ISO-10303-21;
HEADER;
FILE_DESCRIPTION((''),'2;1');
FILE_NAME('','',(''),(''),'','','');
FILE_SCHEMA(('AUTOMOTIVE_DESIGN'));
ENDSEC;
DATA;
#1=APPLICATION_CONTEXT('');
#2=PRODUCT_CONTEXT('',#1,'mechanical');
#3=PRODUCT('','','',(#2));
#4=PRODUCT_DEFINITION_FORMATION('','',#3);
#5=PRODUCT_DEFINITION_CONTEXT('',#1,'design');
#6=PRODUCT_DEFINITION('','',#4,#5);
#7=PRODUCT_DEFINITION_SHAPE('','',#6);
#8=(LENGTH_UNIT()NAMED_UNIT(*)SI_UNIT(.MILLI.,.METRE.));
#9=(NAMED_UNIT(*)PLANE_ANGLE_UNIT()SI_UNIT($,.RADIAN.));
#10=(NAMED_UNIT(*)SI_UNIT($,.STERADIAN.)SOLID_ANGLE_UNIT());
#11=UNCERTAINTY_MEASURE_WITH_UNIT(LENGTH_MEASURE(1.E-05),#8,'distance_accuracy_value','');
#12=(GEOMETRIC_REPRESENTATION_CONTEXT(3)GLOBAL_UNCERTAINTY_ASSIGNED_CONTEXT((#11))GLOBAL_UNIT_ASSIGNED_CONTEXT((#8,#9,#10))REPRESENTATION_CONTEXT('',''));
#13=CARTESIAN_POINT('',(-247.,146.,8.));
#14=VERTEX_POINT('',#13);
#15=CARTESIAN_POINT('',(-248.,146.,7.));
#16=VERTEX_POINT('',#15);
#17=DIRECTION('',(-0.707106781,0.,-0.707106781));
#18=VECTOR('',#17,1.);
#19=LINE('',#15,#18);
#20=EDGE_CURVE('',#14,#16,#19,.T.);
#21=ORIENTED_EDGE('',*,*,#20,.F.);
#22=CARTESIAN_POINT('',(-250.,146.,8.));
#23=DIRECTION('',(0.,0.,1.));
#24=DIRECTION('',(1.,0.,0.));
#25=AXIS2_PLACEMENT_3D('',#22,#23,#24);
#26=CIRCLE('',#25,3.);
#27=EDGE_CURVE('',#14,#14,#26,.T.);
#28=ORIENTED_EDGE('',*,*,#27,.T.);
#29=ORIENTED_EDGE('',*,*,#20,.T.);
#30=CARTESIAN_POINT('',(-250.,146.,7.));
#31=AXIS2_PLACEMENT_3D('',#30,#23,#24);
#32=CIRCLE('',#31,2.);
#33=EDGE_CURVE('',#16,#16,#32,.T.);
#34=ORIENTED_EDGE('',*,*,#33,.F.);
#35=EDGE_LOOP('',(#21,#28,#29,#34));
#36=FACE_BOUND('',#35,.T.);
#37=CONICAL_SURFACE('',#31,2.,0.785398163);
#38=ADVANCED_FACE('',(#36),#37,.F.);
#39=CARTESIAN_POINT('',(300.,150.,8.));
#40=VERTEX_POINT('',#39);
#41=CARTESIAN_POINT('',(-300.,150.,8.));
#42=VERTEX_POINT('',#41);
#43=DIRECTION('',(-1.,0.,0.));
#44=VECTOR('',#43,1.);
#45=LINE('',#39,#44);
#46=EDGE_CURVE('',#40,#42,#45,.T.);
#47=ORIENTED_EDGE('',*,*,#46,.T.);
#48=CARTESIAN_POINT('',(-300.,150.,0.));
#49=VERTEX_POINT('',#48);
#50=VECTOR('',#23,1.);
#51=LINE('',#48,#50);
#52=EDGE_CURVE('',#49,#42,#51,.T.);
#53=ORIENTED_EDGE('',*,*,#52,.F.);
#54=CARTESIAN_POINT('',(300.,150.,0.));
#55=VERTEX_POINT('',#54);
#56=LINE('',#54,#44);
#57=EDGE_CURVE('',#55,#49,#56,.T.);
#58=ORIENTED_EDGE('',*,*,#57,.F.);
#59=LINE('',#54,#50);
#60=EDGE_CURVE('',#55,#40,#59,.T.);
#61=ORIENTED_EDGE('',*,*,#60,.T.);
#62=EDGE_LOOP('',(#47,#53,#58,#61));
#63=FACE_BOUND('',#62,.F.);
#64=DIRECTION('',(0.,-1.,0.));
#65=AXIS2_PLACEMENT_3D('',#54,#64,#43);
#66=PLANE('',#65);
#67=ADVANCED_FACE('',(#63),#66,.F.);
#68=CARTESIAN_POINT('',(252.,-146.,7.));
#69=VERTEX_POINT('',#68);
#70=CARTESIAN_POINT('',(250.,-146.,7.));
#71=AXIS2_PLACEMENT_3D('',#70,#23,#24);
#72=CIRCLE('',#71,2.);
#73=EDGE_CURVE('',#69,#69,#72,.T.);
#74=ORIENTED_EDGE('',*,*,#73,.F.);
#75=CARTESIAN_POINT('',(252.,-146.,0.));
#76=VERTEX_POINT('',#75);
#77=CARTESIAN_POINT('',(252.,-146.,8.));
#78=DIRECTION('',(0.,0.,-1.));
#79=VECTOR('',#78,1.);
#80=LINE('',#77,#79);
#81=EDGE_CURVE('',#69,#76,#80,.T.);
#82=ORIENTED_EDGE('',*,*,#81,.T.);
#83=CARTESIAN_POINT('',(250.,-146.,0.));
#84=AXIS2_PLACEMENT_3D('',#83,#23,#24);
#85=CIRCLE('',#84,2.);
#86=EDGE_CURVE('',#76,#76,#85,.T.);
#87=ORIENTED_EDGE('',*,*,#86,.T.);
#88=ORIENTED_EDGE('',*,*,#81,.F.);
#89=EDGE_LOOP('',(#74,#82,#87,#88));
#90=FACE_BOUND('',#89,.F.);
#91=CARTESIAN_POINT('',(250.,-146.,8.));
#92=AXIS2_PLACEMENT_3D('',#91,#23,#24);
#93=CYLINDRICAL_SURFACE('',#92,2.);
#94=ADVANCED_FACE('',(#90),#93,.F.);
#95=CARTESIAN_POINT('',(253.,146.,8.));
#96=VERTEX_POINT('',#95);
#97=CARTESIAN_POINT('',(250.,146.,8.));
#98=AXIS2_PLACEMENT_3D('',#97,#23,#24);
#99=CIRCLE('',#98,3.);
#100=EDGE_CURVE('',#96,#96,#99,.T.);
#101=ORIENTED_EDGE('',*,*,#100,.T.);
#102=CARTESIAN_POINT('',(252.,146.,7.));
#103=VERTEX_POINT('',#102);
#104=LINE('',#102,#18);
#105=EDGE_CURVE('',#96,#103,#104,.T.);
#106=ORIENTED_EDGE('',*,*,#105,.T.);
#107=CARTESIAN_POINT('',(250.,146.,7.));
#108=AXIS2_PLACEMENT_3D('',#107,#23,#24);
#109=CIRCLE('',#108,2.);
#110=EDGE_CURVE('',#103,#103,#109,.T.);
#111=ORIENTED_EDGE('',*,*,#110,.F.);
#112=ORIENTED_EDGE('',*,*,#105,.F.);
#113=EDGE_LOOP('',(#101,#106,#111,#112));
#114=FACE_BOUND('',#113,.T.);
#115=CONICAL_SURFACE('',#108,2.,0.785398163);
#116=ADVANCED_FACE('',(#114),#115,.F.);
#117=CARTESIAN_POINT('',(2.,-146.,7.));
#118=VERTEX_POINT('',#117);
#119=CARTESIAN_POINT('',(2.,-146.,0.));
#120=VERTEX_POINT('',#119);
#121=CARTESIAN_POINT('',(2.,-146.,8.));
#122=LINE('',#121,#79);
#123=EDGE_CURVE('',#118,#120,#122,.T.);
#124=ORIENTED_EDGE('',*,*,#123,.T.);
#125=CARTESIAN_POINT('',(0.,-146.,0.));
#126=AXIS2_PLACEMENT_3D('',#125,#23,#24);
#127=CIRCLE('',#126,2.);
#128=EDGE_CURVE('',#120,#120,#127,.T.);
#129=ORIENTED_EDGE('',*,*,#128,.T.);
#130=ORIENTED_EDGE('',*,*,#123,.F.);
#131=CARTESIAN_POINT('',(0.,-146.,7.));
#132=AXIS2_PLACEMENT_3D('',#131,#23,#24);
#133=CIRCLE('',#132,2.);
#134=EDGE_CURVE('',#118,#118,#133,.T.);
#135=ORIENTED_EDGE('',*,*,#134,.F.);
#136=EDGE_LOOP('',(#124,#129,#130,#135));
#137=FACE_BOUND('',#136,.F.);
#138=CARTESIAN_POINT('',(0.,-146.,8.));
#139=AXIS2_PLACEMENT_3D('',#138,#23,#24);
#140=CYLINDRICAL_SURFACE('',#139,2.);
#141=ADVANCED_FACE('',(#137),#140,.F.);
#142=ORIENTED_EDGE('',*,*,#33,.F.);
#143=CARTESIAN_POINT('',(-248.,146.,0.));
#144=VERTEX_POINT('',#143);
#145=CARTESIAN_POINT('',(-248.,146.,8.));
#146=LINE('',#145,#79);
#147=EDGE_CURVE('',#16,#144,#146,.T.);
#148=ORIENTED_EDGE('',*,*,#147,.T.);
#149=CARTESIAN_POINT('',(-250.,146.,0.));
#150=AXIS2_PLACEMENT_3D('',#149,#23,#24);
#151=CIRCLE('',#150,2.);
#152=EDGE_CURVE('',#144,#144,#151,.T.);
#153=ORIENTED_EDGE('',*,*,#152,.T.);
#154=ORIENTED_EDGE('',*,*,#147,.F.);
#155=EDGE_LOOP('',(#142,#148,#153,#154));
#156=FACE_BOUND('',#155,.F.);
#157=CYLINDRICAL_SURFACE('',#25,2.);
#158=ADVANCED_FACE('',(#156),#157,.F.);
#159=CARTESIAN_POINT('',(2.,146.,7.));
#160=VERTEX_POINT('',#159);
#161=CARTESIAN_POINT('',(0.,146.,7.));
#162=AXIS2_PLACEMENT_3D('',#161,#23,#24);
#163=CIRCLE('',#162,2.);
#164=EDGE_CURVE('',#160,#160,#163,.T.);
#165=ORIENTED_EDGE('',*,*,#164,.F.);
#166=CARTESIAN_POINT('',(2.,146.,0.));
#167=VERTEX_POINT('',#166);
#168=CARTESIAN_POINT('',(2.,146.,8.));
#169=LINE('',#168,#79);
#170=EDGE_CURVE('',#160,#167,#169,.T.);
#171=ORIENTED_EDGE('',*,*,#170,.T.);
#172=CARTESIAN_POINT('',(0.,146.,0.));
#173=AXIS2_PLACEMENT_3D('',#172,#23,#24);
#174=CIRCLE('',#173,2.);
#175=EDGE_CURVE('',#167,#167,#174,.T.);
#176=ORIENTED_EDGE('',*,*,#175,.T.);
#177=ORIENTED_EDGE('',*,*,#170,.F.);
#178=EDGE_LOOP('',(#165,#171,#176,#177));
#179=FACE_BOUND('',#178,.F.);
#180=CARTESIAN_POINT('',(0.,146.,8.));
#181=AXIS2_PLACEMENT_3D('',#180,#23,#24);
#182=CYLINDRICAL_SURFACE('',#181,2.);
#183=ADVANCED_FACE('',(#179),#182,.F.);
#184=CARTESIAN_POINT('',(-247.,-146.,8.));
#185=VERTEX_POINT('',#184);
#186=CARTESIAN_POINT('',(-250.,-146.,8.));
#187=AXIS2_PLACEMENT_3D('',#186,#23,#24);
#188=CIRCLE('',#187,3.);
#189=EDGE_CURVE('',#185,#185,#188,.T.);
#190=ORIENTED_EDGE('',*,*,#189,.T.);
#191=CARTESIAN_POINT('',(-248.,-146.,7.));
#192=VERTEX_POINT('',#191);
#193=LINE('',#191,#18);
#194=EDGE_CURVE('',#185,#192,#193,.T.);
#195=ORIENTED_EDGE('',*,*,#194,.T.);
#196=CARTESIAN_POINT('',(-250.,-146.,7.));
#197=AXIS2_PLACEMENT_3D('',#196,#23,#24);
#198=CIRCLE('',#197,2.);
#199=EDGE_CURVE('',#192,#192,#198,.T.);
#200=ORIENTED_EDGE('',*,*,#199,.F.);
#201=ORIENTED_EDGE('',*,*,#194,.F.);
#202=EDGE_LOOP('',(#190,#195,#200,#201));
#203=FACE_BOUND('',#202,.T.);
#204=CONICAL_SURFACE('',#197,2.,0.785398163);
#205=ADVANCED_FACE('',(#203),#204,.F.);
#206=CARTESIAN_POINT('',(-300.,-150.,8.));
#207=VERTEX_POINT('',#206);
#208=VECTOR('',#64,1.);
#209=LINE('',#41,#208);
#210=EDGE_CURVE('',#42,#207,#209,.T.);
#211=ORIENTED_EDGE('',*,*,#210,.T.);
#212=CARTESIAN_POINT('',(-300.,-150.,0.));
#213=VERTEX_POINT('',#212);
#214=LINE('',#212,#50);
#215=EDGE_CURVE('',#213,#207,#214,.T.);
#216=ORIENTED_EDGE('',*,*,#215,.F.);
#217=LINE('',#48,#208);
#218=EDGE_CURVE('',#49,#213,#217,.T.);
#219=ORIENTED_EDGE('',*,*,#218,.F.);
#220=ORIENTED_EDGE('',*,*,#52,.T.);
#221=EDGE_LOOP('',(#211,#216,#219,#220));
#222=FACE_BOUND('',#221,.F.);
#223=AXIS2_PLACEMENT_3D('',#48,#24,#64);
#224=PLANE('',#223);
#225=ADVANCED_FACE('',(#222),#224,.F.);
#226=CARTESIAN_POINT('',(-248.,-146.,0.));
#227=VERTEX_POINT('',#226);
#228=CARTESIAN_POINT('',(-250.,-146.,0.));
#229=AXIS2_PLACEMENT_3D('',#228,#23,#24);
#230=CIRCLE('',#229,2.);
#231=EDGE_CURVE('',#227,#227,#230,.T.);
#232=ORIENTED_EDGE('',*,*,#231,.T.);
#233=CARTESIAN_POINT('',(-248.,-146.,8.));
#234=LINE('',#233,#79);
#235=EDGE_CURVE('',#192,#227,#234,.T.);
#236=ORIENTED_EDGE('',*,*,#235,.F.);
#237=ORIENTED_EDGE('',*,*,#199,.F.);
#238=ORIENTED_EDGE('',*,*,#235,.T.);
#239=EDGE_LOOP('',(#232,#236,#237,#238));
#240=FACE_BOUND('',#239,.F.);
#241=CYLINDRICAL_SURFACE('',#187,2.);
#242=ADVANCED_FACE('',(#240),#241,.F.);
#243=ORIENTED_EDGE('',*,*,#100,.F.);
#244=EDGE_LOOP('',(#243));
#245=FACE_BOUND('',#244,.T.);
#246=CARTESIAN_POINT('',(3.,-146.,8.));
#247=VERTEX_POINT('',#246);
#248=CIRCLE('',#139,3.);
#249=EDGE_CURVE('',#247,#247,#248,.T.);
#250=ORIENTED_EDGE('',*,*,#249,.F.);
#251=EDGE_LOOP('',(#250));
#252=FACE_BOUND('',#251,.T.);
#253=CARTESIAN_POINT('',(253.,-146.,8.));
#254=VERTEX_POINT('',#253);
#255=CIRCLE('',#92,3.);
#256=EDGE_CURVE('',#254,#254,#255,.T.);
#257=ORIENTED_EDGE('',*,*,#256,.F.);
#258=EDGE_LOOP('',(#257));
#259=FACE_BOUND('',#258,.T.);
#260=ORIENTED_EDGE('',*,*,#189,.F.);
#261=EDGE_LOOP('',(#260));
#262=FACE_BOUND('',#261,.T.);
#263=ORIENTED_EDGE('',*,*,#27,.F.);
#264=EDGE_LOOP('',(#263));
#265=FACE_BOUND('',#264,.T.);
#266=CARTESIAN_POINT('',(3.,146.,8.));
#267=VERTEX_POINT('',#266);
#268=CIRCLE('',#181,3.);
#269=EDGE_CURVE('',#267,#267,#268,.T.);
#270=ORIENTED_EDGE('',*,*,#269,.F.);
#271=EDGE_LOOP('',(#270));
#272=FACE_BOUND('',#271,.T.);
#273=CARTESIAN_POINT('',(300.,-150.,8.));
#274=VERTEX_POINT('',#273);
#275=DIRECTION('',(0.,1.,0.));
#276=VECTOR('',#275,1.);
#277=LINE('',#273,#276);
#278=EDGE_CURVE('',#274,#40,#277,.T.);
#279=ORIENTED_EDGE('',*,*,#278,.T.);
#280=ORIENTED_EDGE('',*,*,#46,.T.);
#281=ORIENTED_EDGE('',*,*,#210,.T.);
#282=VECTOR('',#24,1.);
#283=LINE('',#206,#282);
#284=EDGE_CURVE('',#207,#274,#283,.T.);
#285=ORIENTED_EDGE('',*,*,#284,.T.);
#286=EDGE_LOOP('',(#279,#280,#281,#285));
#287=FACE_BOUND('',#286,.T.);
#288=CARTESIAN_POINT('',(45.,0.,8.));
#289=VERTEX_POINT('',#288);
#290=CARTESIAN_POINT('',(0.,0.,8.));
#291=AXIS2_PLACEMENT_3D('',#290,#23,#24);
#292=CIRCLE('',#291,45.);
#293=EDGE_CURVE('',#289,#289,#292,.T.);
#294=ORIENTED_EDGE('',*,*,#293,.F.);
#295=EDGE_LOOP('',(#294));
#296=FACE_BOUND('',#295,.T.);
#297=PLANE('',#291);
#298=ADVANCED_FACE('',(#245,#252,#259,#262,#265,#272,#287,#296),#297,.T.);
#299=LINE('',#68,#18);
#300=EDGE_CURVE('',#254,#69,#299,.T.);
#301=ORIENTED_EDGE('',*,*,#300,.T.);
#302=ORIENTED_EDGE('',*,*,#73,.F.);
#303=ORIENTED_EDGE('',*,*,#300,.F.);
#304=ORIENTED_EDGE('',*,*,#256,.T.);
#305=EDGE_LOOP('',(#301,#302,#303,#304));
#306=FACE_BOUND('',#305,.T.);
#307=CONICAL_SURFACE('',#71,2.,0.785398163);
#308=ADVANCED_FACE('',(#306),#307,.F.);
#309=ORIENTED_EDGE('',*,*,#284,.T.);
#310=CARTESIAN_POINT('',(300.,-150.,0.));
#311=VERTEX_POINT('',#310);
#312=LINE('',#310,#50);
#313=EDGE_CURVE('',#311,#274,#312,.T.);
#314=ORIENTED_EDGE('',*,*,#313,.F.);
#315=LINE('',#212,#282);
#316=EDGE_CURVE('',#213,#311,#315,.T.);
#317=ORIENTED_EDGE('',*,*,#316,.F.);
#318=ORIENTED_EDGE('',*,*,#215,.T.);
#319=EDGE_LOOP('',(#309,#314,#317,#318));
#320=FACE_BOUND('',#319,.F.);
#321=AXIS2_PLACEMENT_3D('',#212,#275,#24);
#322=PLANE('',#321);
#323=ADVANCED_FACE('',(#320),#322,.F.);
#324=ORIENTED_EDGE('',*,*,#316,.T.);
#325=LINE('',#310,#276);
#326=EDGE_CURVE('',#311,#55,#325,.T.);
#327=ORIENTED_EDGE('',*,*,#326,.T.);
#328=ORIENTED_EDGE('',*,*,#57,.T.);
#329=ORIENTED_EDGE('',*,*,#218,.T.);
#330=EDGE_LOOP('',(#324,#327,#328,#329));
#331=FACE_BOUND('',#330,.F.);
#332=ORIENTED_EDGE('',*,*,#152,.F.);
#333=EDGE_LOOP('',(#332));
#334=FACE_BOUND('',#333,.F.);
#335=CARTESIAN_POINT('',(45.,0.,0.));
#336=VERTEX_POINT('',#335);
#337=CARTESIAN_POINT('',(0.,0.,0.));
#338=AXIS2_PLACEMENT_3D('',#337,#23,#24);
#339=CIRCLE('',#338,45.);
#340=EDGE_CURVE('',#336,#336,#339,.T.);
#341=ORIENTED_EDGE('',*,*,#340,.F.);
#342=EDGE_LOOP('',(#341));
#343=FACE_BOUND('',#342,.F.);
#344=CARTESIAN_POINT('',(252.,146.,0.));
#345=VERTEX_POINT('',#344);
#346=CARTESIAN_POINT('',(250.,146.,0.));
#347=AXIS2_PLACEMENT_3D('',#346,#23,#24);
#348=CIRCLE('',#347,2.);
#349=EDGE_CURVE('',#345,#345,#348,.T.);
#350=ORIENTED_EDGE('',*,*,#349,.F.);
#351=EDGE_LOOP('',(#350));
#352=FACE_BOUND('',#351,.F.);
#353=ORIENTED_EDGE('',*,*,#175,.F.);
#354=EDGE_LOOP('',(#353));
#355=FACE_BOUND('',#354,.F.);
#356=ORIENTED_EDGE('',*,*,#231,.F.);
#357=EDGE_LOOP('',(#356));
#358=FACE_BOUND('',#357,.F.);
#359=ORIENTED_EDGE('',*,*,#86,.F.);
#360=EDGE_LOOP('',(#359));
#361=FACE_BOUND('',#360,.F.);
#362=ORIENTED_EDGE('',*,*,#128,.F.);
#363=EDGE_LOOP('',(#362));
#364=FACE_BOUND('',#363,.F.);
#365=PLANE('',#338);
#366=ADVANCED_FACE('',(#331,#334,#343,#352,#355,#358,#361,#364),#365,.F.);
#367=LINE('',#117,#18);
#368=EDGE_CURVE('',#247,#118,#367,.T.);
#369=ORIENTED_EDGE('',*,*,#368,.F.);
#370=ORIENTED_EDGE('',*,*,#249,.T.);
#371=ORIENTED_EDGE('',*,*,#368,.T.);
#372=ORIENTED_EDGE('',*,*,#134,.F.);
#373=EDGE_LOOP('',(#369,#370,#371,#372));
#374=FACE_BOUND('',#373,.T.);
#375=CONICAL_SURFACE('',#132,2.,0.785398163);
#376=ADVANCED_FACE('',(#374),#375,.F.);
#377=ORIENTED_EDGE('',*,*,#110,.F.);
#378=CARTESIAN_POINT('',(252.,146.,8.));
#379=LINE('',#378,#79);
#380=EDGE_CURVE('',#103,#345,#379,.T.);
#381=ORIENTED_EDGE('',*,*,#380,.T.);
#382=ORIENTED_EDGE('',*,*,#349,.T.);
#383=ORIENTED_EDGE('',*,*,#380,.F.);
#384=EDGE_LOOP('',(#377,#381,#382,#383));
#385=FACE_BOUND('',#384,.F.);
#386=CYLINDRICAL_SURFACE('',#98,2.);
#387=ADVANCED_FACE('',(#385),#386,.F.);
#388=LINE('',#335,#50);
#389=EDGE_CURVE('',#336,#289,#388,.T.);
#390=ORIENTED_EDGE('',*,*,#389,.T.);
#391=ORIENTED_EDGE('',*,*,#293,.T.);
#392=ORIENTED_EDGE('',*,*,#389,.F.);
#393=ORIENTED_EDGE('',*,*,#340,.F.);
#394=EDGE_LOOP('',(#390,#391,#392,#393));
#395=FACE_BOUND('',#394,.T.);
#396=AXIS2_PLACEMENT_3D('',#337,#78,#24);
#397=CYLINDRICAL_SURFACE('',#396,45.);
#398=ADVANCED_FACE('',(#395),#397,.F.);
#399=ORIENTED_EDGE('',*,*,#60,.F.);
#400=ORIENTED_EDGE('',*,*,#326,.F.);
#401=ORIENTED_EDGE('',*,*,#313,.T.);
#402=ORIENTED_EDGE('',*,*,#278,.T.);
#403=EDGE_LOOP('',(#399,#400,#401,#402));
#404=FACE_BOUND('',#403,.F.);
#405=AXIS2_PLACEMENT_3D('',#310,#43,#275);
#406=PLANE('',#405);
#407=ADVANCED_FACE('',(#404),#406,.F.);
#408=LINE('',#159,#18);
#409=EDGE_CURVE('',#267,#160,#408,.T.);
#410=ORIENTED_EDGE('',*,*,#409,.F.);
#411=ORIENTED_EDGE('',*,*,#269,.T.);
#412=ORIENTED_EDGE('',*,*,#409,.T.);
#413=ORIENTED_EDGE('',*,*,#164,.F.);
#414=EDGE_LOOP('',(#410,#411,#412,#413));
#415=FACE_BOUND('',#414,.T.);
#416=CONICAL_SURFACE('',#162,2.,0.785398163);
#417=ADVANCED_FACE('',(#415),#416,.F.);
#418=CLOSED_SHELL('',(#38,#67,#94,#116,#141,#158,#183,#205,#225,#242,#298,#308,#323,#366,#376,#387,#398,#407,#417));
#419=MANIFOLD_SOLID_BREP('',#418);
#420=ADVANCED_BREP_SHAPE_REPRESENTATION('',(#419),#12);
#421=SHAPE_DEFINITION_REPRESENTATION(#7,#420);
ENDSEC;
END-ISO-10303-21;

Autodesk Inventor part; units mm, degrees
ref_plane "YZ Plane" through (0, 0, 0) normal (1, 0, 0) x (0, 1, 0)
ref_plane "XZ Plane" through (0, 0, 0) normal (0, 1, 0) x (-1, 0, 0)
ref_plane "XY Plane" through (0, 0, 0) normal (0, 0, 1) x (1, 0, 0)
sketch "Esboço1" plane through (0, 0, 0) normal (0, 0, 1) x (1, 0, 0)
  line L0 (-300, -150) -> (300, -150)
  line L1 (300, -150) -> (300, 150)
  line L2 (300, 150) -> (-300, 150)
  line L3 (-300, 150) -> (-300, -150)
  line L4 (-300, -150) -> (300, 150) construction
  line L5 (300, -150) -> (-300, 150) construction
  circle A0 centre (0, 0) radius 45
  dimension "d0" = 600
  dimension "d1" = 300
  dimension "d2" = 90
extrude "Extrusão1" add sketch "Esboço1" along normal blind 8
sketch "Esboço2" plane through (0, 0, 8) normal (0, 0, 1) x (1, 0, 0)
  line L0 (-250, -146) -> (250, 146) construction
  line L1 (250, -146) -> (-250, 146) construction
  circle A0 centre (-250, 146) radius 2
  circle A1 centre (0, 146) radius 2
  circle A2 centre (250, 146) radius 2
  circle A3 centre (250, -146) radius 2
  circle A4 centre (0, -146) radius 2
  circle A5 centre (-250, -146) radius 2
  point P0 (0, 0)
  dimension "d5" = 292
  dimension "d7" = 4
  dimension "d8" = 4
  dimension "d9" = 4
  dimension "d10" = 4
  dimension "d11" = 4
  dimension "d12" = 4
extrude "Extrusão2" cut sketch "Esboço2" against normal blind 10
chamfer "Chanfro1" distance 1 angle 45 6 edges at (-252, 146, 8) (-2, 146, 8) (248, 146, 8) (248, -146, 8) (-2, -146, 8) (-252, -146, 8)
properties part number "base-inferior"
